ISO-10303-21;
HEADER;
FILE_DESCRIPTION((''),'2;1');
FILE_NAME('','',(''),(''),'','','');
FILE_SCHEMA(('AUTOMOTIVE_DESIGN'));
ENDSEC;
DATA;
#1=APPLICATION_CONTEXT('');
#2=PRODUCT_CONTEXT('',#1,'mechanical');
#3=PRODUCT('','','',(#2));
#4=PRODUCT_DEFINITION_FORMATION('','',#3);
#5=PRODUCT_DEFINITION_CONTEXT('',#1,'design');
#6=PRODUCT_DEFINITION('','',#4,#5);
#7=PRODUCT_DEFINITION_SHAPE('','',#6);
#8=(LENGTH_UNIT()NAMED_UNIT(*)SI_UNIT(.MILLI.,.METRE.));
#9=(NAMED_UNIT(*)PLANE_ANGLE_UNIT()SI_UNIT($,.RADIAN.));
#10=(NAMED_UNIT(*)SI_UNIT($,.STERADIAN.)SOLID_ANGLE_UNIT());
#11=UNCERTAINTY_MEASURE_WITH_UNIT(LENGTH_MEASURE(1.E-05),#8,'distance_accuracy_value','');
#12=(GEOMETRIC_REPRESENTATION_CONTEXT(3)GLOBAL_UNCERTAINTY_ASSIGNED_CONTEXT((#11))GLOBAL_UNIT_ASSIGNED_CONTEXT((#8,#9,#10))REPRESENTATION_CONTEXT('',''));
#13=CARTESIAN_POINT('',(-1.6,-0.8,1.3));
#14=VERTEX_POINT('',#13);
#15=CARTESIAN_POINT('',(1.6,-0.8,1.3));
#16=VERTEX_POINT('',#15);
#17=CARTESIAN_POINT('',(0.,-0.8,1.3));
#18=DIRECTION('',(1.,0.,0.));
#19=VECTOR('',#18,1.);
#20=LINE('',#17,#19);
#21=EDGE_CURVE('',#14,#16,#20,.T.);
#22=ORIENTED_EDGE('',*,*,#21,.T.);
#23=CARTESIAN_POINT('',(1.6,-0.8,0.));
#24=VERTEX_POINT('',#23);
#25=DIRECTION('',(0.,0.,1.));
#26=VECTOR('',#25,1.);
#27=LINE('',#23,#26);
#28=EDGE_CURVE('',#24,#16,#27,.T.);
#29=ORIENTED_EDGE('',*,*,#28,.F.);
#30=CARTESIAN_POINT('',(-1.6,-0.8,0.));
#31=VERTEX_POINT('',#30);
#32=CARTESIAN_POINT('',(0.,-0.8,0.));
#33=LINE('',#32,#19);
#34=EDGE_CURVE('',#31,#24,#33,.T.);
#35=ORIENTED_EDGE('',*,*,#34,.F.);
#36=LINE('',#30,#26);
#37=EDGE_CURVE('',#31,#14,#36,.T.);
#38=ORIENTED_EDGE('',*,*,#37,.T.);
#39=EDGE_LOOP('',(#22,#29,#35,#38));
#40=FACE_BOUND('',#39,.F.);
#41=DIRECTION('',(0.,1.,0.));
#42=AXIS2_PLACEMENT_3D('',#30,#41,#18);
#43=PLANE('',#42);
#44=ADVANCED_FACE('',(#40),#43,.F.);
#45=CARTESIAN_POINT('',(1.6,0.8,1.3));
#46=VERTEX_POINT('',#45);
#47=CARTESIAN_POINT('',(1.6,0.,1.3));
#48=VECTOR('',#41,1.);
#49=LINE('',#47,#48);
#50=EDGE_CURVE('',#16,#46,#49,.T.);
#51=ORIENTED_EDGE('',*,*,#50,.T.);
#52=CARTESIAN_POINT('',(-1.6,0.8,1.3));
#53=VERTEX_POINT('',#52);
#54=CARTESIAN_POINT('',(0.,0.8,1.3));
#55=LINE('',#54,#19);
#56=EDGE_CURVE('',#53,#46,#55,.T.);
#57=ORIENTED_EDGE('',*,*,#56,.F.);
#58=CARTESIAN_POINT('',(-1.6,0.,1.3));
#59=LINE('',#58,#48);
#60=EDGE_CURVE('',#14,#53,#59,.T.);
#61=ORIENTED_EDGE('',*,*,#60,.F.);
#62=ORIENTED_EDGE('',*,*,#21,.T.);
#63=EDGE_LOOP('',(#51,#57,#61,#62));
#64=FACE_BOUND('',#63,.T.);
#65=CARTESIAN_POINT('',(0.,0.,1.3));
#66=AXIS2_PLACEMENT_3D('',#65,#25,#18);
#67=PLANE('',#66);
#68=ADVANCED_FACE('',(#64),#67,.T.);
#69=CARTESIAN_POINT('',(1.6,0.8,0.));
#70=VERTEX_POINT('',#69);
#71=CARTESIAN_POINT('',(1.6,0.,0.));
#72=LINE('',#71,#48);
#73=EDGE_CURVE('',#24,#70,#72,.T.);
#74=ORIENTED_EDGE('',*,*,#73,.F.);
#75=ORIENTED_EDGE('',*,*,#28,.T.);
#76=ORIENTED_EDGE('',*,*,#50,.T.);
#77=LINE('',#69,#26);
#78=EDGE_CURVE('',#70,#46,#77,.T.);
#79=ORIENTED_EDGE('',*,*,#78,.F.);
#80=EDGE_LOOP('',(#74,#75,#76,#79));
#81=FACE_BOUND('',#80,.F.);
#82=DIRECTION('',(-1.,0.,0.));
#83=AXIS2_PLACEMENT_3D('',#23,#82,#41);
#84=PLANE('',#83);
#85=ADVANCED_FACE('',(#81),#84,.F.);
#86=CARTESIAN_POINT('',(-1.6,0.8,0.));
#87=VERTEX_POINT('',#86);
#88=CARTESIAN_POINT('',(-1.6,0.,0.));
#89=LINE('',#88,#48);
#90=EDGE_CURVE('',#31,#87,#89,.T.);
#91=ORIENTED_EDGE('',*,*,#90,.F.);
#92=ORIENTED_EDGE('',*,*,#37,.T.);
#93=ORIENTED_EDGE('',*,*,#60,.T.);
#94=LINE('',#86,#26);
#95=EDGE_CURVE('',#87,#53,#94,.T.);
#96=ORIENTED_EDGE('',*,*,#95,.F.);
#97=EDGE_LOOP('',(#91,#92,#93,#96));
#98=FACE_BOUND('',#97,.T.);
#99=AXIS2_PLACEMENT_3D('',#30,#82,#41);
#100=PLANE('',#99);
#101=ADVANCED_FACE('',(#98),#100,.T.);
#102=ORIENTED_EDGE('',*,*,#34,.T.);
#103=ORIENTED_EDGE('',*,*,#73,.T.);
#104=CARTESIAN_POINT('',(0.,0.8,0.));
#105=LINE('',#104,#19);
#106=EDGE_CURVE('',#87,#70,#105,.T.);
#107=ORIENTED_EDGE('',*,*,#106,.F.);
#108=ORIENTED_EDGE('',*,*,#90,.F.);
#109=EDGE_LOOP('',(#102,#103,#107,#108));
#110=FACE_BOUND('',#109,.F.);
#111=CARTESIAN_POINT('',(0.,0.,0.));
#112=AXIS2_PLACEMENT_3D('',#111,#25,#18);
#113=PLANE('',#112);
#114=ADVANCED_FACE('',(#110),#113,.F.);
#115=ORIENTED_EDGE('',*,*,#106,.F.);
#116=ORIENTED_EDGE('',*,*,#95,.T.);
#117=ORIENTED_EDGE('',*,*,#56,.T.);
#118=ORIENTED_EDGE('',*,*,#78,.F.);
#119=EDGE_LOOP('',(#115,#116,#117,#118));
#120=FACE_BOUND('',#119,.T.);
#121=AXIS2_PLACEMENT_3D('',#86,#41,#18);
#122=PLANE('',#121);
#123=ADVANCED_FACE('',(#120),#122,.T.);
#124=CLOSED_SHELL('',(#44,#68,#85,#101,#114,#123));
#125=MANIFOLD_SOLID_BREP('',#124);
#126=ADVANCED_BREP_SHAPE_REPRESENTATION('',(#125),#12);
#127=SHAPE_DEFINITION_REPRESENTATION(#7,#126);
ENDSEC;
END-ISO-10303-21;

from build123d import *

# Parameters (mm, degrees)
SKETCH_W  = 3.2
SKETCH_H  = 1.6
PAD_DEPTH = 1.3


with BuildPart() as part:
    # Sketch → Pad (new body)
    with BuildSketch(Plane.XY):
        Rectangle(SKETCH_W, SKETCH_H)
    extrude(amount=PAD_DEPTH)


solid = part.part
